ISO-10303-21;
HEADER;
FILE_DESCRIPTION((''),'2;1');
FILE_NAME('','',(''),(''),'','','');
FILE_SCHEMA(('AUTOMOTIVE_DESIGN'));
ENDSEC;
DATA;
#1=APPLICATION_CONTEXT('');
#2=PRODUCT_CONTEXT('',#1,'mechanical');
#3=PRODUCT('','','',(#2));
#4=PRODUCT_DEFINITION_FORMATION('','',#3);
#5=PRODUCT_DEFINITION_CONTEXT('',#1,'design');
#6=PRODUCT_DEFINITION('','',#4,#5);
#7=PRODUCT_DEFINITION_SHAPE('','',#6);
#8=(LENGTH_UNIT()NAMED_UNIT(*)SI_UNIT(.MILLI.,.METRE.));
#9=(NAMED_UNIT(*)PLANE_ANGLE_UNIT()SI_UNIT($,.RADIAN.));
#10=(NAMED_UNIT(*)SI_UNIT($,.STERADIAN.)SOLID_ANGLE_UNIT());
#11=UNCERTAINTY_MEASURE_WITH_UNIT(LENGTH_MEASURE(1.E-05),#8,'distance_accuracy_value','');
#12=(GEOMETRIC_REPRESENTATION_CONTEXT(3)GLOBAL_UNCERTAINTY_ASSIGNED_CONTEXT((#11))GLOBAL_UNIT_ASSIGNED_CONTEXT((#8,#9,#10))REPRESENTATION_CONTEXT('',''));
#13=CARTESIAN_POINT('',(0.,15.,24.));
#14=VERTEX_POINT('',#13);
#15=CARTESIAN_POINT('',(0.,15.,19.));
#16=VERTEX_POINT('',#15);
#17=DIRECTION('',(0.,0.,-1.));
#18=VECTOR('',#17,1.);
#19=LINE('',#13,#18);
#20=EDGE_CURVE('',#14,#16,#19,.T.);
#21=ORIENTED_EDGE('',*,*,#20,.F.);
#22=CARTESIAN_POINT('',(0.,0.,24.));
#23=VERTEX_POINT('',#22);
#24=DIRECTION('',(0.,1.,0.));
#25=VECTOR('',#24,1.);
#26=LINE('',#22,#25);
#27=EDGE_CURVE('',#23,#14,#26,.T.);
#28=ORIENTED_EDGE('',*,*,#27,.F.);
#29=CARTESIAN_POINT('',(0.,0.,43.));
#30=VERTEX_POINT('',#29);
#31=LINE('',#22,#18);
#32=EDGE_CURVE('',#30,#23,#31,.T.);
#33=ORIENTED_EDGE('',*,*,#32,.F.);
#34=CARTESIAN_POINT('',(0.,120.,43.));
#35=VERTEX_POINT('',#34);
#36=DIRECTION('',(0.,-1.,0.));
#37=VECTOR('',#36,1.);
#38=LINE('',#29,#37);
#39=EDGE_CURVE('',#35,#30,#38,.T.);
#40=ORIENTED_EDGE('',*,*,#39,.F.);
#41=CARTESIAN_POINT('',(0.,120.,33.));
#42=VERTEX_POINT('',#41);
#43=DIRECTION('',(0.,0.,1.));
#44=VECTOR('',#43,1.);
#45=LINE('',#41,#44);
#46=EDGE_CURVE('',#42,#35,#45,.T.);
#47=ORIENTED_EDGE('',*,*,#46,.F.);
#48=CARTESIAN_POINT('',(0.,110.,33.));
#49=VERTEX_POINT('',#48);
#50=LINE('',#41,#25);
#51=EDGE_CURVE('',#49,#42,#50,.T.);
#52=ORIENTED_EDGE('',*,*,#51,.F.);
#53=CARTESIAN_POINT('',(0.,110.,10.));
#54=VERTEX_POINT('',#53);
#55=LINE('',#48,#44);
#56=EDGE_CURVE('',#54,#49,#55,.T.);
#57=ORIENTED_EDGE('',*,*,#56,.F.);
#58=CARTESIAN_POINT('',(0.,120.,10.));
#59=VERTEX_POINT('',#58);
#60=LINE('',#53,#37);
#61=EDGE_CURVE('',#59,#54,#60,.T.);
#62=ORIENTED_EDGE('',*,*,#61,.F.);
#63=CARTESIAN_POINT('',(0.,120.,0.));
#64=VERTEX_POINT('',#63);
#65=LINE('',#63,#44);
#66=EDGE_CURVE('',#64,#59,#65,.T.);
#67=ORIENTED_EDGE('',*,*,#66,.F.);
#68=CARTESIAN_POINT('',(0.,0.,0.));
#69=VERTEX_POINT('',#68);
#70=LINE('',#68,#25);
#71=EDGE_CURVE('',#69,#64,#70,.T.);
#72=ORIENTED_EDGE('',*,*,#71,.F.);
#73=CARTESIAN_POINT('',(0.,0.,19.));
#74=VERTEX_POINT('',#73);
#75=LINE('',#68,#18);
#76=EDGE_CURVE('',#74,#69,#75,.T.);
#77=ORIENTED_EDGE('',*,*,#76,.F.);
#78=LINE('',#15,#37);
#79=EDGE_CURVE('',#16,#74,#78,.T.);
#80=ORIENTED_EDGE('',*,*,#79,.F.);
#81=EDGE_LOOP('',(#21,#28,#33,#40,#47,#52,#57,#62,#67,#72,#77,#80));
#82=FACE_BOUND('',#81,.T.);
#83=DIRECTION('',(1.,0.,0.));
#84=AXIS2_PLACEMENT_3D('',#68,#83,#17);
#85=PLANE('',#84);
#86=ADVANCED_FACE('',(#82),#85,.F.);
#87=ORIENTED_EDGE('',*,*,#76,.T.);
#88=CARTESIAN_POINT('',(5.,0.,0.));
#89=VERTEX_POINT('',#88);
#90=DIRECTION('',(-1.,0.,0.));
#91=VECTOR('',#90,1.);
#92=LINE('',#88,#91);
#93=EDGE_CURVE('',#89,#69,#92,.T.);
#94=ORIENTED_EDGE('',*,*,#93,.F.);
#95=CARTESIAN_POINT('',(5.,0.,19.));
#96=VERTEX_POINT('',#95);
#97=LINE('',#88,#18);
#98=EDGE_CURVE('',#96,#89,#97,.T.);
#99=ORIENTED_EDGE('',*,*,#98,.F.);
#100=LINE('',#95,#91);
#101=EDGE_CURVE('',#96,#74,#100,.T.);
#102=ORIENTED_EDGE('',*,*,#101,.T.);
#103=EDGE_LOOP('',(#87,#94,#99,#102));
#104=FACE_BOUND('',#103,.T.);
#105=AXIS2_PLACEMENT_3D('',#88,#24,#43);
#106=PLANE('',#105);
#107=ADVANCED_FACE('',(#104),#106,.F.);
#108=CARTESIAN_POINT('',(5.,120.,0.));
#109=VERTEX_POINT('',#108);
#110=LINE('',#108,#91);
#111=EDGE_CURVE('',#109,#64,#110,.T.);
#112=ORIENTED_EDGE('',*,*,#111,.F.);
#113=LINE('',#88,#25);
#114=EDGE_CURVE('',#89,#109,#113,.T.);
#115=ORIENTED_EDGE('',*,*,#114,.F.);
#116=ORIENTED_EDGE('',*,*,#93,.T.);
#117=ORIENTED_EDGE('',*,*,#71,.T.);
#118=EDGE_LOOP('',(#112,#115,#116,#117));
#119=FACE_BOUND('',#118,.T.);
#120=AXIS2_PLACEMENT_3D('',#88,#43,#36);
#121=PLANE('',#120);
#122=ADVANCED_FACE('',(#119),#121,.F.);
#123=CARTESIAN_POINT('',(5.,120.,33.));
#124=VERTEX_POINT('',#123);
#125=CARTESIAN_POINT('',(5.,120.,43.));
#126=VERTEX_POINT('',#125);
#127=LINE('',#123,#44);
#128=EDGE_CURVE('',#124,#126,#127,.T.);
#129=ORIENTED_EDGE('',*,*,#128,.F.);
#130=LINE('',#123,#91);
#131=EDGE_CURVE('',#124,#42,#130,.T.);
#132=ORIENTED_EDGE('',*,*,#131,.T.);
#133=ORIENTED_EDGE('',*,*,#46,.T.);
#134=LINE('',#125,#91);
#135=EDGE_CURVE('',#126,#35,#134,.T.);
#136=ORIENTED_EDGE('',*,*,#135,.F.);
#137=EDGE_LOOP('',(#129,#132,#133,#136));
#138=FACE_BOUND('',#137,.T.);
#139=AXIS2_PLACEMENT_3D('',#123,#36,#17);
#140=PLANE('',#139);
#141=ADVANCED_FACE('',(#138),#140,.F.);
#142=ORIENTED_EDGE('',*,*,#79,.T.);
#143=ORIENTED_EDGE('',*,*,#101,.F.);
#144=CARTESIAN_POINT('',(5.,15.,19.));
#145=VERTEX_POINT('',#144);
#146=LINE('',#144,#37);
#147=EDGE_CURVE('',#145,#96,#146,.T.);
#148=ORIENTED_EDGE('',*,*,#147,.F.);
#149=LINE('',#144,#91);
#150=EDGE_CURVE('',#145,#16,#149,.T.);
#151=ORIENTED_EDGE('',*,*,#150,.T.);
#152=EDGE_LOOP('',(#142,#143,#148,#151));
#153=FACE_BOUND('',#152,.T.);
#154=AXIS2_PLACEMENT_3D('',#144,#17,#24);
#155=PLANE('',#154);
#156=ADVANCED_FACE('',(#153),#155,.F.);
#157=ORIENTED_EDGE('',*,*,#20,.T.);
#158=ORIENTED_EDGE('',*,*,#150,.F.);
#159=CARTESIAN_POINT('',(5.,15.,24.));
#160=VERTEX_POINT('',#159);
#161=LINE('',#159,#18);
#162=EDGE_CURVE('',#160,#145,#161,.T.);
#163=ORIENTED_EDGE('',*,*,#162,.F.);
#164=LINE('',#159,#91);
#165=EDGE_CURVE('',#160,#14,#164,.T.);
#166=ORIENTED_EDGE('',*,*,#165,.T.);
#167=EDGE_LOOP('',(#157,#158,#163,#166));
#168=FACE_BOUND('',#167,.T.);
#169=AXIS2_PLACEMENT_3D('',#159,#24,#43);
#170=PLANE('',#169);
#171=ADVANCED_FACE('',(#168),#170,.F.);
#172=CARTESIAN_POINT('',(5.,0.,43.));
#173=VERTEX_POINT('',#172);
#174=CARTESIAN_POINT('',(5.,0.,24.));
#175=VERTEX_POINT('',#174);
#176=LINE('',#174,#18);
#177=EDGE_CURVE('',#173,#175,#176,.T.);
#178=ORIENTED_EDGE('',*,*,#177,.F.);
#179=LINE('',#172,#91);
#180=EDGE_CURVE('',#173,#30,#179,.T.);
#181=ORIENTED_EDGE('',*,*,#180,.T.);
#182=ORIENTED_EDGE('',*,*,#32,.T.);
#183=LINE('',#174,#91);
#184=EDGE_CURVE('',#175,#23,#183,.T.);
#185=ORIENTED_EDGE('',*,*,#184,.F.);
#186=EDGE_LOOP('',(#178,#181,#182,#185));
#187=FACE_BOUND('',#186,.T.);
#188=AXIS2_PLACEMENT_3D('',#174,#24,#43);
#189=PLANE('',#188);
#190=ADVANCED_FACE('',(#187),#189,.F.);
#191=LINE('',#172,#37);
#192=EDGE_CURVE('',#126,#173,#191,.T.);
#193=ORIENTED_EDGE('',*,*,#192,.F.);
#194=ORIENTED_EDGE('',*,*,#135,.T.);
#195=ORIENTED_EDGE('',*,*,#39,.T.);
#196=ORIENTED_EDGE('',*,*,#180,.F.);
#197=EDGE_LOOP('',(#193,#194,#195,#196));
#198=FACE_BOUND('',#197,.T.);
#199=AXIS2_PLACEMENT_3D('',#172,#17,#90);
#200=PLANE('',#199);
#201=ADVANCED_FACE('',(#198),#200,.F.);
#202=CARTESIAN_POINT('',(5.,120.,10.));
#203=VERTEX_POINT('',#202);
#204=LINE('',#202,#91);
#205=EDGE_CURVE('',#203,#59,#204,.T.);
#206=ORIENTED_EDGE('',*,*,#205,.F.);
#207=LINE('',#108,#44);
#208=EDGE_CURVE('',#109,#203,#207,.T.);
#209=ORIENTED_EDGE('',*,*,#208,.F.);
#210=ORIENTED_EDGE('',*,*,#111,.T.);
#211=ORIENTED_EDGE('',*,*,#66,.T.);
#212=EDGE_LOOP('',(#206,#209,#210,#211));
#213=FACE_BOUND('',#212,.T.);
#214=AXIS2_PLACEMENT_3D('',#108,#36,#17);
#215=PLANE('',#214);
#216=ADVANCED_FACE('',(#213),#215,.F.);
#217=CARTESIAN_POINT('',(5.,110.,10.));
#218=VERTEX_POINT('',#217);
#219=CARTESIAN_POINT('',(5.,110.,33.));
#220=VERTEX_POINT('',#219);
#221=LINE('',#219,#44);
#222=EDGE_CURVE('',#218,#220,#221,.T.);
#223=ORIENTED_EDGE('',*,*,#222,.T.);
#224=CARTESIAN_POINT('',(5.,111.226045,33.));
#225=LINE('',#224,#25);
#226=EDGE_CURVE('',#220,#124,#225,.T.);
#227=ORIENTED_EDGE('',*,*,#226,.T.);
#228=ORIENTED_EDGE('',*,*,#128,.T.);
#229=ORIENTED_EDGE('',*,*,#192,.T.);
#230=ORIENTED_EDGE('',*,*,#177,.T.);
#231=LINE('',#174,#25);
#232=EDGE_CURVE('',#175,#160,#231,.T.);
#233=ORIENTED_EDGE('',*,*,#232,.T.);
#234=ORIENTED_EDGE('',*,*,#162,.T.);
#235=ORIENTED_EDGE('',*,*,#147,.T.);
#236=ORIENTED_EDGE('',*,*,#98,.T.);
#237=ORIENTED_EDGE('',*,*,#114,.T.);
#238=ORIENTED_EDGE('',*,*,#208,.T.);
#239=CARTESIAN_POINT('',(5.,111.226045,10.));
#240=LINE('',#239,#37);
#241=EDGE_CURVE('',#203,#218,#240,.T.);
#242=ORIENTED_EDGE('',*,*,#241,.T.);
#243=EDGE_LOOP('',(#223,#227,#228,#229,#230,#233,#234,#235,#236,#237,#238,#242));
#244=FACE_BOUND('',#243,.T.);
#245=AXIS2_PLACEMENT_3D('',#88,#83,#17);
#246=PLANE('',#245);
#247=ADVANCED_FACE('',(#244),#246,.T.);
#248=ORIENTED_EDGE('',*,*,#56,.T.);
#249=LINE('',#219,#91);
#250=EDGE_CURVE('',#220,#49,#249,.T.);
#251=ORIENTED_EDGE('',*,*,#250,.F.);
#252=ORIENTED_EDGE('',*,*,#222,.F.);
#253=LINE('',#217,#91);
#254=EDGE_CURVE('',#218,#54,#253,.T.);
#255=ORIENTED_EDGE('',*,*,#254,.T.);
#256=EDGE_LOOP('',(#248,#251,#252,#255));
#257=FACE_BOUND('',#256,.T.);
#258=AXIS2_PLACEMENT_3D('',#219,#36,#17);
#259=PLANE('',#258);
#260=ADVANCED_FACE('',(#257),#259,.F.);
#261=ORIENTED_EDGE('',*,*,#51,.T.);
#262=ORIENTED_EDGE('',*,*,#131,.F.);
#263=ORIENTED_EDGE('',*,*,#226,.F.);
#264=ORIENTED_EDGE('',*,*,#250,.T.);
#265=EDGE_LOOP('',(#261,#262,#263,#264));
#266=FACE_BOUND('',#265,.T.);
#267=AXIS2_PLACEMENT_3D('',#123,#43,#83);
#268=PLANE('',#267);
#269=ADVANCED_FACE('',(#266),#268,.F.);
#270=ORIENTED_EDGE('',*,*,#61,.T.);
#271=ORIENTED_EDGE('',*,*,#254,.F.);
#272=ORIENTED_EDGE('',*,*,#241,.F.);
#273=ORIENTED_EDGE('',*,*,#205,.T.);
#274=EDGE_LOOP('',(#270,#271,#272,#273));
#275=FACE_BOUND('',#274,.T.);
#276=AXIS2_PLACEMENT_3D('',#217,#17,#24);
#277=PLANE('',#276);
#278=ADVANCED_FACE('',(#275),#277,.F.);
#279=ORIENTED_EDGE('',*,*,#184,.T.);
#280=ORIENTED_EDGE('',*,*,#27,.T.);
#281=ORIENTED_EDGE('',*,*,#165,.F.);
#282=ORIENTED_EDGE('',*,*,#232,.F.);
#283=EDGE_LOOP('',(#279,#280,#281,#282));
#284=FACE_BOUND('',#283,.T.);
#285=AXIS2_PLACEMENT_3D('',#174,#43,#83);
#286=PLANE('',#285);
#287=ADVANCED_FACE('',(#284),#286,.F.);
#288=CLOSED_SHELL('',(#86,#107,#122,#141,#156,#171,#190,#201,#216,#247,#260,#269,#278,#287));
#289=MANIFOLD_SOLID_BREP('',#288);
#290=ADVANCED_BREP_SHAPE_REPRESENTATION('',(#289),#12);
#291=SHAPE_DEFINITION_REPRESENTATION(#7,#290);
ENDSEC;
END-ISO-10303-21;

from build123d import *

# Parameters (mm, degrees)
BOSS_EXTRUDE1_DEPTH = 5


with BuildPart() as part:
    # Sketch1 → Boss-Extrude1 (new body)
    with BuildSketch(Plane(origin=(0, 0, 0), x_dir=(0, 0, -1), z_dir=(1, 0, 0))):
        Polygon((-33, 120), (-33, 111.226045358), (-33, 110), (-10, 110), (-10, 111.226045358), (-10, 120), (0, 120), (0, 0), (-19, 0), (-19, 15), (-24, 15), (-24, 0), (-43, 0), (-43, 120), align=None)
    extrude(amount=BOSS_EXTRUDE1_DEPTH)


solid = part.part
